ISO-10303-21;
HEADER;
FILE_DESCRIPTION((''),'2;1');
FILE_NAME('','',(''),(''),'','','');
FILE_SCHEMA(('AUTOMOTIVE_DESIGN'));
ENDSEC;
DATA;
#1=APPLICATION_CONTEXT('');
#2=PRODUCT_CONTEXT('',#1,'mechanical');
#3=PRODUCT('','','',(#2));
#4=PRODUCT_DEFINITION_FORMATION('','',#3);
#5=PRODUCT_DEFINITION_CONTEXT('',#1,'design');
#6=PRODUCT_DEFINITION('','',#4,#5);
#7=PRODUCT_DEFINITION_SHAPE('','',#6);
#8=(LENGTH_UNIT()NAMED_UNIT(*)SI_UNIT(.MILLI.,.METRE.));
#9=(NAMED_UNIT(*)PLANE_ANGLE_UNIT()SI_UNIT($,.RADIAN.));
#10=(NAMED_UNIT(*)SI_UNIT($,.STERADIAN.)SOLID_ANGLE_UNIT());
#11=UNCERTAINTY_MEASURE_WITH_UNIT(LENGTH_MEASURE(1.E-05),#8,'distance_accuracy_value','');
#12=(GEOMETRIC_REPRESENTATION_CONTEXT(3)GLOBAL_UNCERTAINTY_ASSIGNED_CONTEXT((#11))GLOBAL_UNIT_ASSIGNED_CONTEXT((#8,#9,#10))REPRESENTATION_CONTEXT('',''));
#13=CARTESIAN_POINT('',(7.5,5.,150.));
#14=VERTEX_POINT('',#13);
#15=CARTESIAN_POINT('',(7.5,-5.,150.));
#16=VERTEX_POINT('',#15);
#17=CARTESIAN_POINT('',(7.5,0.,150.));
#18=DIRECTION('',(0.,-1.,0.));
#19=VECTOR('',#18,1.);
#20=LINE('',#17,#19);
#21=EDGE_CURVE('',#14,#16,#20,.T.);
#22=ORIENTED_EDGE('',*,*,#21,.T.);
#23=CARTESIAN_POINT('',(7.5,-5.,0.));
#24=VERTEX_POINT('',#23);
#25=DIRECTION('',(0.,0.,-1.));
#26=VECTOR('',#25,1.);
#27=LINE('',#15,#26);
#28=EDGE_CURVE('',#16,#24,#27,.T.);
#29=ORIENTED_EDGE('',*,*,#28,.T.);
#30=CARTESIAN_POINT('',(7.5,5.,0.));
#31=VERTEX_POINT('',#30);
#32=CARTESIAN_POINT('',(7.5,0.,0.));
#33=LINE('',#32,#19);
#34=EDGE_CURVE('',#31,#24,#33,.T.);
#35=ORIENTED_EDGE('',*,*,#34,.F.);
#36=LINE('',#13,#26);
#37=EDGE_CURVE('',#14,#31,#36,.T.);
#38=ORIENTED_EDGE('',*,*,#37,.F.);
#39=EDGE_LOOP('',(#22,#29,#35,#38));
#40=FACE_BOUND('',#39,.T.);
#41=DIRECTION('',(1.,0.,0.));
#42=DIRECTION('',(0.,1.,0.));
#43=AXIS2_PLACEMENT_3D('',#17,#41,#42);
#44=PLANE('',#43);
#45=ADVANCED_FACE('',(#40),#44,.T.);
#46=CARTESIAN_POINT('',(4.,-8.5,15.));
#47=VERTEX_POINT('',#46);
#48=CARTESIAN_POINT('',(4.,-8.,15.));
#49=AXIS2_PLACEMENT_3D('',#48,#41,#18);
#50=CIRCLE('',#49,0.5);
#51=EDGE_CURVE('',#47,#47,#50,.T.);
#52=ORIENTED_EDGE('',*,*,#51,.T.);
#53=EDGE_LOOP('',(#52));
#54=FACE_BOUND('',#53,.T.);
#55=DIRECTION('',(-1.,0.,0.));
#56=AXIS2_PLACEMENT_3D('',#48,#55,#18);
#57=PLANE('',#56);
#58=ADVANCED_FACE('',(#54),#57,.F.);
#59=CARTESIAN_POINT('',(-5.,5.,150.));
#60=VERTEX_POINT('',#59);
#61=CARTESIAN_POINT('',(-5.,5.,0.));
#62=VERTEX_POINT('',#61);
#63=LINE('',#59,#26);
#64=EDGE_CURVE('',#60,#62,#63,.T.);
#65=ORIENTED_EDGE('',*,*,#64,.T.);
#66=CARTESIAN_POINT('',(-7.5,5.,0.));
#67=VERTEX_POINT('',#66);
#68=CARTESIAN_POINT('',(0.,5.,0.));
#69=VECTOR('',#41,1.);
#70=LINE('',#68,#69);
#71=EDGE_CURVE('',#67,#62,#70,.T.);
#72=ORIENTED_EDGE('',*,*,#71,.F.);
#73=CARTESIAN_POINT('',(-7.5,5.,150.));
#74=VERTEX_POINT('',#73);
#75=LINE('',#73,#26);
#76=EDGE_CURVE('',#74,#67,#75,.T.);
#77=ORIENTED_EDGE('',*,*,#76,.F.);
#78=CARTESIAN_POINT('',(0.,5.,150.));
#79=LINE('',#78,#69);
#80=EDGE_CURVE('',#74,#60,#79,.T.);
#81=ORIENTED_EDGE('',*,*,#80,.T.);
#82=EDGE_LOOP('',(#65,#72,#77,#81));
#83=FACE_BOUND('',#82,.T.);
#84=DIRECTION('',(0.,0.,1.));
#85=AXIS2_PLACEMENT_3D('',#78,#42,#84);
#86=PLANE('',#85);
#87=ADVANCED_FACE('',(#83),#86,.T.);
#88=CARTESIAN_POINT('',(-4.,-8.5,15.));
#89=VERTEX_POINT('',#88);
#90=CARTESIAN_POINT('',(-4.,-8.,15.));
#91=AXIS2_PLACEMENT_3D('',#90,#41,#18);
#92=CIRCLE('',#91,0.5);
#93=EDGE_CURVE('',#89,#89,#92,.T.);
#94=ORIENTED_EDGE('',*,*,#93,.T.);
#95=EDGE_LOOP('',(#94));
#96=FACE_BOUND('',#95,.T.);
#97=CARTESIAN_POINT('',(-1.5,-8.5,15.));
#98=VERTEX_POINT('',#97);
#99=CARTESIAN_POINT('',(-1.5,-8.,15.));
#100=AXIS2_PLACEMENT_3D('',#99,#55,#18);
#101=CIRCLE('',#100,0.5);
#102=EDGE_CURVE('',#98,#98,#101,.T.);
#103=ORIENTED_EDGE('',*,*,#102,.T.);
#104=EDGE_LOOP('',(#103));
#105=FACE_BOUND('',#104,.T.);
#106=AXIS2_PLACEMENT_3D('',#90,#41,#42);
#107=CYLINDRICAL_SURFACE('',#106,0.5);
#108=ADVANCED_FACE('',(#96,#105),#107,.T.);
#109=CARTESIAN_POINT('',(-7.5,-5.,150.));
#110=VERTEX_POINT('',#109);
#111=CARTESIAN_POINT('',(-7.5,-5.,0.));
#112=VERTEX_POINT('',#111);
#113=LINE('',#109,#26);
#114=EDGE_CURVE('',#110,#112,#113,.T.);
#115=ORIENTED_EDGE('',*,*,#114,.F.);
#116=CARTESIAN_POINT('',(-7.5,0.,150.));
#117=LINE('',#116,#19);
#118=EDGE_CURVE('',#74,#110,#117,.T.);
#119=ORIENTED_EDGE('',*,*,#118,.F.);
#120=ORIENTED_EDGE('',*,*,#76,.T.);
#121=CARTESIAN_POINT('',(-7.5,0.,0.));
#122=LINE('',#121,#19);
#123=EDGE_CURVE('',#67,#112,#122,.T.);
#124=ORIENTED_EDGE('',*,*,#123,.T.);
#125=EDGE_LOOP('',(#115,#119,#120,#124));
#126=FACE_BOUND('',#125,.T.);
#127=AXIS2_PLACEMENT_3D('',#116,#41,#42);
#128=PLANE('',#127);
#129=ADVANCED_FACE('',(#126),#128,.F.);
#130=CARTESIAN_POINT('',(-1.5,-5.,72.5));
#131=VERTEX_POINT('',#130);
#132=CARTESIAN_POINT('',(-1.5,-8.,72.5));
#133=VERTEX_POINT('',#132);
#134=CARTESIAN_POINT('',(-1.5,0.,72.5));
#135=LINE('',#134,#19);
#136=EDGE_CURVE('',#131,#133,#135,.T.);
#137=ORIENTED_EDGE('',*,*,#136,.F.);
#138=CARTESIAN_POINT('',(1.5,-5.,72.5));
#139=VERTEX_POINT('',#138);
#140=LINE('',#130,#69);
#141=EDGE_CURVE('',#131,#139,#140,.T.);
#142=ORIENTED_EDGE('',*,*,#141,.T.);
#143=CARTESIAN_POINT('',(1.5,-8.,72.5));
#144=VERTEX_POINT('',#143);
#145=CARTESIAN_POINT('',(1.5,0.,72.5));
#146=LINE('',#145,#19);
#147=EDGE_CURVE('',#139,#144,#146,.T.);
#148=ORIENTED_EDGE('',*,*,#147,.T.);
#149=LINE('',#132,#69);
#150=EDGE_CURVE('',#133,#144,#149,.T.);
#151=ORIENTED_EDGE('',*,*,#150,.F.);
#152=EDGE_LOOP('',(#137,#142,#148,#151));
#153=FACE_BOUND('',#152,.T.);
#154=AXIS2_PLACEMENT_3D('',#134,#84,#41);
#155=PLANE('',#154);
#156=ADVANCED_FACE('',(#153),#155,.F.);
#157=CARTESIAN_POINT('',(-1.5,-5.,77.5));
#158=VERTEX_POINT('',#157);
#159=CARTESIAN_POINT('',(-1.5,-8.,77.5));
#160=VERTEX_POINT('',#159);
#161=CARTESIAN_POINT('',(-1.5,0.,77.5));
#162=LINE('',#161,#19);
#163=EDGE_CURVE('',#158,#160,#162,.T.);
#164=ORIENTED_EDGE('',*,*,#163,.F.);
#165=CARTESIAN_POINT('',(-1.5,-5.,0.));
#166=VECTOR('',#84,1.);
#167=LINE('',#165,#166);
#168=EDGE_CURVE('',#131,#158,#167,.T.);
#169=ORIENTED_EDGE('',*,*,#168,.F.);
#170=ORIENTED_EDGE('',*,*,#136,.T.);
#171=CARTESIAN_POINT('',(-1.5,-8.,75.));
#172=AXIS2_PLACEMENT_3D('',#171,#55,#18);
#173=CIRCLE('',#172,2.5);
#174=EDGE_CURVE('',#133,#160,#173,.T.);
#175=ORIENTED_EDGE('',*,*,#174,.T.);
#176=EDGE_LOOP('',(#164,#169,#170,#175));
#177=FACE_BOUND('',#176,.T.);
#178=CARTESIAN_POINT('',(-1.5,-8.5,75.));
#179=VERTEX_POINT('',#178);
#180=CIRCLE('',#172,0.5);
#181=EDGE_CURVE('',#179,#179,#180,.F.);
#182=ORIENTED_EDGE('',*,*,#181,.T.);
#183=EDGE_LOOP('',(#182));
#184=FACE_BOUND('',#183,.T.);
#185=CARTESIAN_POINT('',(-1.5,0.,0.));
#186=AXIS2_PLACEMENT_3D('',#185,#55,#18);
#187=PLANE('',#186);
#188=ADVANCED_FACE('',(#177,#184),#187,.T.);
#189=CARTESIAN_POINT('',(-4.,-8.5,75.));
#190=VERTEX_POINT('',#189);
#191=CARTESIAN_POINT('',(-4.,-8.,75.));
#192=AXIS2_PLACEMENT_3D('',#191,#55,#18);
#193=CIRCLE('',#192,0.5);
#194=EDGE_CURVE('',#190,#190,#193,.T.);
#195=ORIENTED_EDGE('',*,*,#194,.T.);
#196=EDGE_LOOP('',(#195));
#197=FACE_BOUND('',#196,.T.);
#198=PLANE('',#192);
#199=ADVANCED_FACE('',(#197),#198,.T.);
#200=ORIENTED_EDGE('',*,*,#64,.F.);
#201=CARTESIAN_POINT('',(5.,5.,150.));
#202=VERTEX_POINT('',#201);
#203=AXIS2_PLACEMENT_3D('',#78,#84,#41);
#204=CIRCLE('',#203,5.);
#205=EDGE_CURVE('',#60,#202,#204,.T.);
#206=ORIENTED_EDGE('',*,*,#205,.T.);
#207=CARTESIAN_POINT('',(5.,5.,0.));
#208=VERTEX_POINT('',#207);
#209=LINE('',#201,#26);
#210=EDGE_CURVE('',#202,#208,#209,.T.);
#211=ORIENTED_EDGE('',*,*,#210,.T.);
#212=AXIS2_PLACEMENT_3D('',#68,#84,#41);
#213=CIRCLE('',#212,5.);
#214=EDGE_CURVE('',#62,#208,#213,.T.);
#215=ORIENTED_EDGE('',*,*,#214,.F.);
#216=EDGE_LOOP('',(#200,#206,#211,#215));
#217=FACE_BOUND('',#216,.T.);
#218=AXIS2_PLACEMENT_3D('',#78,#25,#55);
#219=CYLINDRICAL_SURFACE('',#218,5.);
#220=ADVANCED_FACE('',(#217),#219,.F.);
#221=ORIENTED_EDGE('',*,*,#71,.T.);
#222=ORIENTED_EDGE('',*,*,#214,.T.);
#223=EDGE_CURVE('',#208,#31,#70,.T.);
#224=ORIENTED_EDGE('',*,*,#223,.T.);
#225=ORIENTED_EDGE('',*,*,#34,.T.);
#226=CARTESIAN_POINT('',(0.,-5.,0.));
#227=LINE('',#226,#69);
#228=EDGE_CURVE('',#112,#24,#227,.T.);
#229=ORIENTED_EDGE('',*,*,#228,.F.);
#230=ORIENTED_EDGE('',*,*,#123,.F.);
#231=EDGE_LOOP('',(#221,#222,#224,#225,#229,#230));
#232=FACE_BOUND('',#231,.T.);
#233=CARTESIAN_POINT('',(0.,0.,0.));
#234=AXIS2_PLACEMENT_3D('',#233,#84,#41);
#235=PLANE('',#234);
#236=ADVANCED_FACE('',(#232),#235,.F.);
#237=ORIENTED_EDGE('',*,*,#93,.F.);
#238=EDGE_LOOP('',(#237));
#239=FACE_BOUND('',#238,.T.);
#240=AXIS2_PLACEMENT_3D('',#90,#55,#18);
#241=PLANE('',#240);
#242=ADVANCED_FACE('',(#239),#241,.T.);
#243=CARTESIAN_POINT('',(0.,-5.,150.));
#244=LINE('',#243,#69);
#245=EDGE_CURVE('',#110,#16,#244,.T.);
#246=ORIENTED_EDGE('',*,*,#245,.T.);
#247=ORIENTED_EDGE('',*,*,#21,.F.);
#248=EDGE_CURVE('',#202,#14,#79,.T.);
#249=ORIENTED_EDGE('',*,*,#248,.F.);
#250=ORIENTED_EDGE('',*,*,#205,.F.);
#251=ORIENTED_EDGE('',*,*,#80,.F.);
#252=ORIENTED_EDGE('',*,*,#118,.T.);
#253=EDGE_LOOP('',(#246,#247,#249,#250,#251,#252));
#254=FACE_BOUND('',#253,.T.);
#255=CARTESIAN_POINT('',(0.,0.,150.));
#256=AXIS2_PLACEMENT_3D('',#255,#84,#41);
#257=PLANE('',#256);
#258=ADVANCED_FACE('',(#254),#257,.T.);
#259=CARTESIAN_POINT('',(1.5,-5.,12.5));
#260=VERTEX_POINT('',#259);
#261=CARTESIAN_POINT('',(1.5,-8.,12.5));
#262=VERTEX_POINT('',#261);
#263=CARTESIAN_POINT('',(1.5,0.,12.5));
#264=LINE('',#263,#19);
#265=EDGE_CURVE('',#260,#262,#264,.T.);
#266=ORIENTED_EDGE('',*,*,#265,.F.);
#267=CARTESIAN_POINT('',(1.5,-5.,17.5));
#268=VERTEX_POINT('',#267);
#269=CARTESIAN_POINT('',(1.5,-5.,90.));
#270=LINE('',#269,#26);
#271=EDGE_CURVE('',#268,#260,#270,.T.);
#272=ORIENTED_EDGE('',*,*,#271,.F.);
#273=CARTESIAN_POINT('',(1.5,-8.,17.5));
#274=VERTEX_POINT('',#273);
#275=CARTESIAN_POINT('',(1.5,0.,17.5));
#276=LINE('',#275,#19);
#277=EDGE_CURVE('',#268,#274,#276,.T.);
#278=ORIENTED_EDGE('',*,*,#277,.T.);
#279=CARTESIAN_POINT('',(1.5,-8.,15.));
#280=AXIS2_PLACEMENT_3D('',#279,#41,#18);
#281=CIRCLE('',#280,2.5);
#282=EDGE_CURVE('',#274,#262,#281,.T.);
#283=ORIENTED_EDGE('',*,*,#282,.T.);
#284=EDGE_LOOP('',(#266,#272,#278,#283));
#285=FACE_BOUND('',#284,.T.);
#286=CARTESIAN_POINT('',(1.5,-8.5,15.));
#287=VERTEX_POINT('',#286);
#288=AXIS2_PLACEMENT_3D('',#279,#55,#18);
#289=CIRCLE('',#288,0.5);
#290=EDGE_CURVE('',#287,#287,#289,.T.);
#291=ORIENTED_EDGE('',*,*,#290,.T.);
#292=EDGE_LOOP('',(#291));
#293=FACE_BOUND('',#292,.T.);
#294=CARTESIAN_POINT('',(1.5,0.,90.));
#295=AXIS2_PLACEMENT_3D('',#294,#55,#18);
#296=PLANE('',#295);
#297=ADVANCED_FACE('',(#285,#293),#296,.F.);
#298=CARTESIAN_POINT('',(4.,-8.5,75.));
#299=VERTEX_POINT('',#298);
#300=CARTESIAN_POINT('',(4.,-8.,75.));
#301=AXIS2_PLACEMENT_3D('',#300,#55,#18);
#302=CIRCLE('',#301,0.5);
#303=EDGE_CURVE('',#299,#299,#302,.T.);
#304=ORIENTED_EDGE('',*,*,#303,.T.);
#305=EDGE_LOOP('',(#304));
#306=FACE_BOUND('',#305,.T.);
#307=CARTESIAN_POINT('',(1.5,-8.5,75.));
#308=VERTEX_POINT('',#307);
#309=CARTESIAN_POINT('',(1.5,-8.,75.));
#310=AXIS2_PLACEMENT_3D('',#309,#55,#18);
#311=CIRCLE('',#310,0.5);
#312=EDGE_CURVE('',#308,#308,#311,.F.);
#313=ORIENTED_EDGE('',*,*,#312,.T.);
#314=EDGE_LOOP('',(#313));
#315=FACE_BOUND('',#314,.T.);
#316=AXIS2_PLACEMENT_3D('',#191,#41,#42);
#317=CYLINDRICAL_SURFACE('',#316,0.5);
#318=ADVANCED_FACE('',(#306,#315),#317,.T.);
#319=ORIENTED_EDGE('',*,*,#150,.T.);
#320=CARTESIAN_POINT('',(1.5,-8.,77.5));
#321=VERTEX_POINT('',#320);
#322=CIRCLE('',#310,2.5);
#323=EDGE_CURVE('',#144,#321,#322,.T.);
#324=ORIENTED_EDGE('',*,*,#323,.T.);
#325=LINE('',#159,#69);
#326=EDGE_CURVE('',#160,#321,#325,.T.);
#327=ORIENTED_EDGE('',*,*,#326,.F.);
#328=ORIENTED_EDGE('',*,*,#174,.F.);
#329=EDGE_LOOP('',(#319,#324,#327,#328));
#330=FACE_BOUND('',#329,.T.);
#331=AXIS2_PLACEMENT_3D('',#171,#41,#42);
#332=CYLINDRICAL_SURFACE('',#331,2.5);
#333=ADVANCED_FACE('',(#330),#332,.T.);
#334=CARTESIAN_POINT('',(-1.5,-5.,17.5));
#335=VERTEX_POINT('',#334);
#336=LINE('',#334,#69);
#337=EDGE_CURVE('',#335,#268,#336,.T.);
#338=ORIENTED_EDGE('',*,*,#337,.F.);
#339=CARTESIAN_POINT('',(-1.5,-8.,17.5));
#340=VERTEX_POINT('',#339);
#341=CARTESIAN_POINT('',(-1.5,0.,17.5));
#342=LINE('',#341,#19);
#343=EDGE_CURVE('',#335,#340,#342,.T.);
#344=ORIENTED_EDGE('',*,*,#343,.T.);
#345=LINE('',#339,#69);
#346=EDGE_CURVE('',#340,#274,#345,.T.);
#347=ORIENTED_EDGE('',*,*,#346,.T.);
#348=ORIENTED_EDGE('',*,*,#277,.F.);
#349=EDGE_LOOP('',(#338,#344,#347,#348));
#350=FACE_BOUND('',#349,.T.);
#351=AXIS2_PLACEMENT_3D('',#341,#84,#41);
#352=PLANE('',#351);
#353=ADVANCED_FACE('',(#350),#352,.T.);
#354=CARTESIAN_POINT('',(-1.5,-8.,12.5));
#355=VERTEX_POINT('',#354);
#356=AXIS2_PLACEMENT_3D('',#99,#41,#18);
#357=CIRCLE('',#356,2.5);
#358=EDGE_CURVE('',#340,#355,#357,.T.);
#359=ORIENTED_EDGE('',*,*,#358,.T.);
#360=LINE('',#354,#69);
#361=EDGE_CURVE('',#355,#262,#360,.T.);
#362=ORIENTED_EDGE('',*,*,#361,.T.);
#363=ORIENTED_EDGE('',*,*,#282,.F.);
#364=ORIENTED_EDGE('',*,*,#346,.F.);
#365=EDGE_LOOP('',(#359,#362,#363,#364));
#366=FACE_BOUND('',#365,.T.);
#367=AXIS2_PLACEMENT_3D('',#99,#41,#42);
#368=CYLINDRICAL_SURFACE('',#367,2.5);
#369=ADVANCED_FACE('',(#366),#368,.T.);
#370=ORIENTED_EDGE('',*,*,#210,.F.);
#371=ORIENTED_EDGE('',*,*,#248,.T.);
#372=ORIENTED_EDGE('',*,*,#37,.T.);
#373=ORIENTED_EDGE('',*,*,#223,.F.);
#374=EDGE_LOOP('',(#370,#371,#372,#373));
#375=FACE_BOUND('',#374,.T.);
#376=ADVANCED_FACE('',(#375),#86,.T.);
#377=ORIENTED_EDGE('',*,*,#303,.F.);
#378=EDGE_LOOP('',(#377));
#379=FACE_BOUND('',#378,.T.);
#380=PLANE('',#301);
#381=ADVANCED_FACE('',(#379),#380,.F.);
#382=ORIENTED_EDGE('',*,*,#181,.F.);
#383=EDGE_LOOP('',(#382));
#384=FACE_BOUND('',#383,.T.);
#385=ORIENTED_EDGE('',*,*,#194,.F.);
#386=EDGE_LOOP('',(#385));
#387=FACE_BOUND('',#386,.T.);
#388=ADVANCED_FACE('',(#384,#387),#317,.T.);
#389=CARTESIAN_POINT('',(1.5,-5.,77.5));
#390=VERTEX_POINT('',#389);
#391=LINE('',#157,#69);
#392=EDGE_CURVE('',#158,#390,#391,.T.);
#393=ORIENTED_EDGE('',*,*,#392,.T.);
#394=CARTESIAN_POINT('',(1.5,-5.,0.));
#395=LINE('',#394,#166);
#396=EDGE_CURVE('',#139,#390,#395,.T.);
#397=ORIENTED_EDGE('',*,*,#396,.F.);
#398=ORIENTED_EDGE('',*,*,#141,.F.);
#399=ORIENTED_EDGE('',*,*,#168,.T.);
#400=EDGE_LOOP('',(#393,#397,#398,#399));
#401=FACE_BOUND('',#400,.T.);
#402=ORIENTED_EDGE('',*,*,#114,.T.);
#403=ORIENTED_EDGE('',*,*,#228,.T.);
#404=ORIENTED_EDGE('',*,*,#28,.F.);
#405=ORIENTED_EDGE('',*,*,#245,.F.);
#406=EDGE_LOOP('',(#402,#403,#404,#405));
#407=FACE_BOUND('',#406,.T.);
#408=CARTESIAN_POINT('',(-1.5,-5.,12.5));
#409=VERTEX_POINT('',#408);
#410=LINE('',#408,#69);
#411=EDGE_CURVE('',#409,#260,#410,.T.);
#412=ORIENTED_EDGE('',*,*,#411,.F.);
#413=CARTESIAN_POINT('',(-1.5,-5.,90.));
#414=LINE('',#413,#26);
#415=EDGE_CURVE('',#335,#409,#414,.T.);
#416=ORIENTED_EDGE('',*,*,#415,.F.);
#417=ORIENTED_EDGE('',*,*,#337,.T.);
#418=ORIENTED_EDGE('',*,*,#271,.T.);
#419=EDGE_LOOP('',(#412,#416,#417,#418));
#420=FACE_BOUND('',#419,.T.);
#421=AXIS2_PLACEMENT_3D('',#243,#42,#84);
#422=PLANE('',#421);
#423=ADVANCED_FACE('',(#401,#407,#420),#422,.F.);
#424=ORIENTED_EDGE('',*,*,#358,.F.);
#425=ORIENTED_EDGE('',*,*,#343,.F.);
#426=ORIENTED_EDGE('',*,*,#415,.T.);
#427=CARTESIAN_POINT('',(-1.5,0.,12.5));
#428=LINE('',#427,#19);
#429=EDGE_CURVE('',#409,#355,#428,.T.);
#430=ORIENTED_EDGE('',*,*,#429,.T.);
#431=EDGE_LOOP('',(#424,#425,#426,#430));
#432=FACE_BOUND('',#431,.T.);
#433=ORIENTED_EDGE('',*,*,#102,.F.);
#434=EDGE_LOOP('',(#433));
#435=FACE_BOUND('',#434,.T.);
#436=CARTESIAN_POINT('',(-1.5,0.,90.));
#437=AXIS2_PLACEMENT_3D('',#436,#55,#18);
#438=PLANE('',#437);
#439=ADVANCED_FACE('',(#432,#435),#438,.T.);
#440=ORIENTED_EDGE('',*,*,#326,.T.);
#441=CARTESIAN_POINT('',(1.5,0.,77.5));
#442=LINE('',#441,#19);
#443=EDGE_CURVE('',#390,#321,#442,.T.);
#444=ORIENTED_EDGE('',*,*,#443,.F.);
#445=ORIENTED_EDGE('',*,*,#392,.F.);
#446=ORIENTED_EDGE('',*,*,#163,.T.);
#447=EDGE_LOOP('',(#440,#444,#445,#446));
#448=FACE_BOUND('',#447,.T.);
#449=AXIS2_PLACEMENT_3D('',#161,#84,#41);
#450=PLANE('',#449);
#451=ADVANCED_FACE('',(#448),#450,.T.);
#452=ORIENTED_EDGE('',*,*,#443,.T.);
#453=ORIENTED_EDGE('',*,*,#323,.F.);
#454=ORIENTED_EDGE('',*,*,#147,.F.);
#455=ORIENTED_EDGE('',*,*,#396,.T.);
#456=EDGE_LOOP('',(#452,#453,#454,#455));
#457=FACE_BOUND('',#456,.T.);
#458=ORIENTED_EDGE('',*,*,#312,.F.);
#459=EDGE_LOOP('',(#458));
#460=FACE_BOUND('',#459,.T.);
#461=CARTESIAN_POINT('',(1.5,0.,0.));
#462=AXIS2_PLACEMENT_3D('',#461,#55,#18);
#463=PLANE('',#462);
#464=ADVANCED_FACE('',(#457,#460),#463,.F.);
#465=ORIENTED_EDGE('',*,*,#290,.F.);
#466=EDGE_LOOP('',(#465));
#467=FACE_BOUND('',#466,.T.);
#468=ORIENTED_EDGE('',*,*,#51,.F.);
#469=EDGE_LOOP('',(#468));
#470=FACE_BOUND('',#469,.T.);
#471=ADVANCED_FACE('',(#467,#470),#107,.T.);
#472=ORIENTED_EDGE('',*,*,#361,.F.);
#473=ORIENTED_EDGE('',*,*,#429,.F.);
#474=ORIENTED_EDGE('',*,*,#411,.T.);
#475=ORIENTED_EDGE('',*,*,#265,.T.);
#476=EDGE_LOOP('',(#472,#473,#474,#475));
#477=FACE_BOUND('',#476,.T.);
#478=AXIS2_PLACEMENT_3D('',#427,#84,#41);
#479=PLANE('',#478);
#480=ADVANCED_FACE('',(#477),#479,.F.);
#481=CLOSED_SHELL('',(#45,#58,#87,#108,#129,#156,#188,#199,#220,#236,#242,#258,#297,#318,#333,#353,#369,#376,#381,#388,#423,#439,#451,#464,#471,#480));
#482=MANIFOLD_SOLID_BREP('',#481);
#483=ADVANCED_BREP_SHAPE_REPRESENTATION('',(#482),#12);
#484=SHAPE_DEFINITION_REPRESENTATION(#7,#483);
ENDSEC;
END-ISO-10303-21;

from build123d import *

# Parameters (mm, degrees)
BOSS_EXTRUDE1_DEPTH = 150
BOSS_EXTRUDE6_DEPTH = 1.5
SKETCH7_R           = 0.5
BOSS_EXTRUDE7_DEPTH = 4


with BuildPart() as part:
    # Sketch1 → Boss-Extrude1 (new body)
    with BuildSketch(Plane.XY):
        with BuildLine():
            Line((7.5, 5), (5, 5))
            ThreePointArc((5, 5), (0, 0), (-5, 5))
            Line((-5, 5), (-7.5, 5))
            Line((-7.5, 5), (-7.5, -5))
            Line((-7.5, -5), (7.5, -5))
            Line((7.5, -5), (7.5, 5))
        make_face()
    extrude(amount=BOSS_EXTRUDE1_DEPTH)

    # Sketch6 → Boss-Extrude6 (add, symmetric)
    with BuildSketch(Plane.ZY):
        with BuildLine():
            ThreePointArc((77.5, -8), (75, -5.5), (72.5, -8))
            Line((72.5, -8), (77.5, -8))
        make_face()
        with BuildLine():
            Line((77.5, -8), (72.5, -8))
            ThreePointArc((72.5, -8), (75, -10.5), (77.5, -8))
        make_face()
        with BuildLine():
            Line((77.5, -5), (72.5, -5))
            Line((72.5, -5), (72.5, -8))
            ThreePointArc((72.5, -8), (75, -5.5), (77.5, -8))
            Line((77.5, -8), (77.5, -5))
        make_face()
    boss_extrude6 = extrude(amount=BOSS_EXTRUDE6_DEPTH, both=True)

    # Sketch7 → Boss-Extrude7 (add, symmetric)
    with BuildSketch(Plane.ZY):
        with Locations((75, -8)):
            Circle(SKETCH7_R)
    boss_extrude7 = extrude(amount=BOSS_EXTRUDE7_DEPTH, both=True)

    # Mirror1: Boss-Extrude6 across plane
    add(boss_extrude6.mirror(Plane(origin=(0, 0, 45), x_dir=(1, 0, 0), z_dir=(0, 0, -1))))

    # Mirror2: Boss-Extrude7 across plane
    add(boss_extrude7.mirror(Plane(origin=(0, 0, 45), x_dir=(1, 0, 0), z_dir=(0, 0, -1))))


solid = part.part
